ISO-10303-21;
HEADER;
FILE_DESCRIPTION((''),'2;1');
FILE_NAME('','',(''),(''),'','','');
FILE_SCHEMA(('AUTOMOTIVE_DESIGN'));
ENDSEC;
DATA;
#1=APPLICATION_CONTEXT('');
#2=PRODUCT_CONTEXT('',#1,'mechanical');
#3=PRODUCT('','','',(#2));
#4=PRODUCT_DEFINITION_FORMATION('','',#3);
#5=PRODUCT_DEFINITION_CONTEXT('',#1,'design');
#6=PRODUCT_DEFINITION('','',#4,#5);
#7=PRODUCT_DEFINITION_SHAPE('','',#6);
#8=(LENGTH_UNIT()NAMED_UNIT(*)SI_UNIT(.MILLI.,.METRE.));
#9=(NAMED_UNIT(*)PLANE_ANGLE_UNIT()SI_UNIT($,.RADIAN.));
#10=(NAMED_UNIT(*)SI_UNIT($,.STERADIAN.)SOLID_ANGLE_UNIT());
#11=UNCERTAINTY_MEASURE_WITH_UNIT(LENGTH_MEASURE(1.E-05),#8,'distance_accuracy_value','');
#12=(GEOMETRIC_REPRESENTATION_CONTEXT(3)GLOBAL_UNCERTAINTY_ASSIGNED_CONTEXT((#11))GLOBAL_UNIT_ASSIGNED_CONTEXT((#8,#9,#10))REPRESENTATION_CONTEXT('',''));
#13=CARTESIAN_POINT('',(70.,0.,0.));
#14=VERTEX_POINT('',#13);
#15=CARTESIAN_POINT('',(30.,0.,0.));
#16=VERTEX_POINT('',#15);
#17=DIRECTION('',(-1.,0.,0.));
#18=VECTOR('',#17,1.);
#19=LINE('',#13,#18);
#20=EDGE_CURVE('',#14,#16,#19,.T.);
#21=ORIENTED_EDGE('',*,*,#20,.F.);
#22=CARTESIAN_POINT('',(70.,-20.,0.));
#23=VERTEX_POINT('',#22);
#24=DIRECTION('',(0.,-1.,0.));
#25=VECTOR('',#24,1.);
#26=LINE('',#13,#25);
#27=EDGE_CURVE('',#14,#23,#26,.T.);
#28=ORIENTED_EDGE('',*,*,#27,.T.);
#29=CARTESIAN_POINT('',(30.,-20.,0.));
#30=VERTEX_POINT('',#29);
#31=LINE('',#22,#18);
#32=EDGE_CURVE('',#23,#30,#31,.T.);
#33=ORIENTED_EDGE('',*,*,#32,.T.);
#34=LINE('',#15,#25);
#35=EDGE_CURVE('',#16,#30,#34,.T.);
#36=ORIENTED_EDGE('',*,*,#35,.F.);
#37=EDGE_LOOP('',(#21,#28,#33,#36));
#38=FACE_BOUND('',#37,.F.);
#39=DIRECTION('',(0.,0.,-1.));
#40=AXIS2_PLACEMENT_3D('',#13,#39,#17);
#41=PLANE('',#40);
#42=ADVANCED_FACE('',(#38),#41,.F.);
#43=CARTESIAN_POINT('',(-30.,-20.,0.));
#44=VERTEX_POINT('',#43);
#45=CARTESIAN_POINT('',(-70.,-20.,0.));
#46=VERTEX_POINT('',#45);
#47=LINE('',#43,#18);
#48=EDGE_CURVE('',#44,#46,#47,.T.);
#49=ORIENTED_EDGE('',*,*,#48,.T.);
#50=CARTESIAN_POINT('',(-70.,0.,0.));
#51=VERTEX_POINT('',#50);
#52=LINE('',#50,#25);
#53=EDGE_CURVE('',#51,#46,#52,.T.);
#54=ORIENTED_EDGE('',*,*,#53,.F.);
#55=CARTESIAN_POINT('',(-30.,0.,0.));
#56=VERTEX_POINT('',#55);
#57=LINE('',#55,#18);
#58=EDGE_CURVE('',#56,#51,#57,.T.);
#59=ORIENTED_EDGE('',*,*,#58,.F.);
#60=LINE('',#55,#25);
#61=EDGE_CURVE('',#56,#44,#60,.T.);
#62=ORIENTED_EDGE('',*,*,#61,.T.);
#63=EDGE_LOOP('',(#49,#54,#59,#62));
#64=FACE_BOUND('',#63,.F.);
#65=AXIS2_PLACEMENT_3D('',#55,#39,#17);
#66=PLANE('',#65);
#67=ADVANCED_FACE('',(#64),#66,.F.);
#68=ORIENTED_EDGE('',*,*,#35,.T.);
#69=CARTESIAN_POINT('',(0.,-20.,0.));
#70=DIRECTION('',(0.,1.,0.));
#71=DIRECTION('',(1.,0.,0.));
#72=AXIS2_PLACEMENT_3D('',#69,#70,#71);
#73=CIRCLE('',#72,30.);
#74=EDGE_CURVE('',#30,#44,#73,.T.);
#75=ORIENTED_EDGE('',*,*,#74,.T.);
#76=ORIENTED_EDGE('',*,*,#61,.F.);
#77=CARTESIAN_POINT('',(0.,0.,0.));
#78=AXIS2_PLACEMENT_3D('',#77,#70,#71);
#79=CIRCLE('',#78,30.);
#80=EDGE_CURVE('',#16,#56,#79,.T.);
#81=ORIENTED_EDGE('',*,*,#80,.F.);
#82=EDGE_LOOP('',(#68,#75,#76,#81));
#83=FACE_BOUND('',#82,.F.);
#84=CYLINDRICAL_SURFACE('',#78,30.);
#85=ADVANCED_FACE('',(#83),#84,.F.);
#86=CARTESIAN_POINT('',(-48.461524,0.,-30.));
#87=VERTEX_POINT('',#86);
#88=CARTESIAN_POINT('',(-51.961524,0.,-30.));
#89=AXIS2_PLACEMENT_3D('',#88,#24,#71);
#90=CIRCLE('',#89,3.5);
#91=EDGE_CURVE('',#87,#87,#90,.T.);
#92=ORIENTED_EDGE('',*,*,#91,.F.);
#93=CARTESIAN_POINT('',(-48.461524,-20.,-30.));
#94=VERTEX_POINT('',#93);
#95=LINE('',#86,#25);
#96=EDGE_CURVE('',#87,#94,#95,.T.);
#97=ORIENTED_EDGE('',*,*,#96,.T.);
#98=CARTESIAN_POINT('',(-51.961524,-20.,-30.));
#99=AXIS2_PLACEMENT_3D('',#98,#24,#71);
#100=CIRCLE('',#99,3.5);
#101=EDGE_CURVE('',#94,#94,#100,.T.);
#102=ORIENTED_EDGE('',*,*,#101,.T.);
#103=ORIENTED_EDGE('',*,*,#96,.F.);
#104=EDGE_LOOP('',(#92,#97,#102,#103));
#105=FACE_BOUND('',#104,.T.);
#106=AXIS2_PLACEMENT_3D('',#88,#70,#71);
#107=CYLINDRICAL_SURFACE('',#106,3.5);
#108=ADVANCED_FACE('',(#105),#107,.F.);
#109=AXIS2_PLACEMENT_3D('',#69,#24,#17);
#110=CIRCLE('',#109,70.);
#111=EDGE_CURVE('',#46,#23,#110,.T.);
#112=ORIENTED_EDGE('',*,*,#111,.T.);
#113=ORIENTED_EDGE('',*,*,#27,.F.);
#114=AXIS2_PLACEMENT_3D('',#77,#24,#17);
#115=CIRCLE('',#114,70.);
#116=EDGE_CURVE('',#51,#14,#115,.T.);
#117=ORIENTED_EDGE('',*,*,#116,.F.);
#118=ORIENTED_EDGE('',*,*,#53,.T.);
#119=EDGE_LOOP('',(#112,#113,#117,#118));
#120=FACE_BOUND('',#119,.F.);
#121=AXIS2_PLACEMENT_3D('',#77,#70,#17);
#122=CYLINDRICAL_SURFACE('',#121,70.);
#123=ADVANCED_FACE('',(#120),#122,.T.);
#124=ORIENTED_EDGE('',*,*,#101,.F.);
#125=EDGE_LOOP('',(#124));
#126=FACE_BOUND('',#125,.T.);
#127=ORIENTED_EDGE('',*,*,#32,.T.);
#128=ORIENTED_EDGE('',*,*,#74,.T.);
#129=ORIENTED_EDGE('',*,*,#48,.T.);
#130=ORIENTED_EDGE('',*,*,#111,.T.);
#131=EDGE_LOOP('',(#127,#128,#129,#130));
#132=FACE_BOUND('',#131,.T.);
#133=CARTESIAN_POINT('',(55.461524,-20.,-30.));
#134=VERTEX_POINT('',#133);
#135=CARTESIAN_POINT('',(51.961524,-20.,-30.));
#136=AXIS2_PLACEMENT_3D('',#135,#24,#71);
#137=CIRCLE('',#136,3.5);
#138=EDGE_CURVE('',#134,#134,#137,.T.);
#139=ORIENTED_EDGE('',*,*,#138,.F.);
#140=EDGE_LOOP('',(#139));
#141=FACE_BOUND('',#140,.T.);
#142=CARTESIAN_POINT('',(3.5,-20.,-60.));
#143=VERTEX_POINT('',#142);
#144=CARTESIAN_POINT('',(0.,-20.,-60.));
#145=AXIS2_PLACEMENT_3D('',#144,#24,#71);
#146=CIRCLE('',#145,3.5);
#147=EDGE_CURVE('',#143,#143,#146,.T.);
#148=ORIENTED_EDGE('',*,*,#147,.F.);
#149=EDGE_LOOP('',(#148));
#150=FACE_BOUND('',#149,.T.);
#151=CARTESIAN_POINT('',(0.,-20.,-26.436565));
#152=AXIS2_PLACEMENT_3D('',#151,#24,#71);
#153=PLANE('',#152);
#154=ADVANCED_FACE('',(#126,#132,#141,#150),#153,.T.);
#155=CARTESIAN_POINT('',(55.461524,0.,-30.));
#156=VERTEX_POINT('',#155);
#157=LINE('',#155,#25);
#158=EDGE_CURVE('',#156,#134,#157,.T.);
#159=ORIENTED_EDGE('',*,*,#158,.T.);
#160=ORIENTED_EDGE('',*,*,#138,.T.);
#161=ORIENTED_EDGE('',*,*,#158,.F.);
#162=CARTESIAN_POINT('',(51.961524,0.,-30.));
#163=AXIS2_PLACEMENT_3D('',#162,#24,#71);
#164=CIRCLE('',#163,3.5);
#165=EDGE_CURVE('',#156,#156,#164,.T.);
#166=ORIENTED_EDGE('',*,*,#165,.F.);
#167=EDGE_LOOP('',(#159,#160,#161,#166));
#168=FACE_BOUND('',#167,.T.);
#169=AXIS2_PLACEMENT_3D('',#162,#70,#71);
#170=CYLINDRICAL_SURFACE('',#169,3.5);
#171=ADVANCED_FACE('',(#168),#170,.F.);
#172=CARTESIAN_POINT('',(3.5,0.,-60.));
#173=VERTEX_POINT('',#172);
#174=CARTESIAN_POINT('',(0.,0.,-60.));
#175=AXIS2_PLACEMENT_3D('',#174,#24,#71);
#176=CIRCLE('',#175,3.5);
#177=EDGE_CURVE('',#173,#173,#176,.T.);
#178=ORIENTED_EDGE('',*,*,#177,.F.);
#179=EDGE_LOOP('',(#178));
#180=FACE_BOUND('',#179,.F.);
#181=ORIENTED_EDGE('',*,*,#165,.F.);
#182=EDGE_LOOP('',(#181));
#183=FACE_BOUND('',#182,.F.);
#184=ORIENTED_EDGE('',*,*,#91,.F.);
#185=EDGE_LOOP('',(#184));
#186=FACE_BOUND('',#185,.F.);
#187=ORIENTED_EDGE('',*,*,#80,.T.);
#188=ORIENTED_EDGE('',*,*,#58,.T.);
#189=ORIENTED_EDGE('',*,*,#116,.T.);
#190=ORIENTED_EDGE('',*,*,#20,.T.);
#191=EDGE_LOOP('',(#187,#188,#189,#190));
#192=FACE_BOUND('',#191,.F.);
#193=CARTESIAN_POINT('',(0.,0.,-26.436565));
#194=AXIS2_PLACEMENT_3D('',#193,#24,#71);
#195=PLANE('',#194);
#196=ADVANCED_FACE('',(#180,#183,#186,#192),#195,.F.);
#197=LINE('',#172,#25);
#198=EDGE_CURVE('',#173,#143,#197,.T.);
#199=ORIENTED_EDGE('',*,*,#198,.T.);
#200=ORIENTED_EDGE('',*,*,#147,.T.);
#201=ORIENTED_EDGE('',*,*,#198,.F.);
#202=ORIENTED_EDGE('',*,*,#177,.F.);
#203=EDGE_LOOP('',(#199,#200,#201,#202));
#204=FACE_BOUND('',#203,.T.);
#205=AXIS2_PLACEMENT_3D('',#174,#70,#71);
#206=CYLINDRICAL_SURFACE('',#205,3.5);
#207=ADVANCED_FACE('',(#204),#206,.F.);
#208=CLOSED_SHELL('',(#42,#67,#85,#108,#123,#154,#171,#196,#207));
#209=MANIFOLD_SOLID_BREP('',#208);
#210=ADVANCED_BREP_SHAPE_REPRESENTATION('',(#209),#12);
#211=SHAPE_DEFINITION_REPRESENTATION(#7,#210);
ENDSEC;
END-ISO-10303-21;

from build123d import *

# Parameters (mm, degrees)
F0_R     = 3.5
F1_DEPTH = 20


with BuildPart() as f1:
    # F0 (on Front) → F1 (new body)
    with BuildSketch(Plane.XZ):
        with BuildLine():
            ThreePointArc((-70, 0), (0, -70), (70, 0))
            Line((70, 0), (30, 0))
            ThreePointArc((30, 0), (0, -30), (-30, 0))
            Line((-30, 0), (-70, 0))
        make_face()
        with Locations((0, -60)):
            Circle(F0_R, mode=Mode.SUBTRACT)
        with Locations((-51.961524, -30)):
            Circle(F0_R, mode=Mode.SUBTRACT)
        with Locations((51.961524, -30)):
            Circle(F0_R, mode=Mode.SUBTRACT)
    extrude(amount=F1_DEPTH)


solid = f1.part
